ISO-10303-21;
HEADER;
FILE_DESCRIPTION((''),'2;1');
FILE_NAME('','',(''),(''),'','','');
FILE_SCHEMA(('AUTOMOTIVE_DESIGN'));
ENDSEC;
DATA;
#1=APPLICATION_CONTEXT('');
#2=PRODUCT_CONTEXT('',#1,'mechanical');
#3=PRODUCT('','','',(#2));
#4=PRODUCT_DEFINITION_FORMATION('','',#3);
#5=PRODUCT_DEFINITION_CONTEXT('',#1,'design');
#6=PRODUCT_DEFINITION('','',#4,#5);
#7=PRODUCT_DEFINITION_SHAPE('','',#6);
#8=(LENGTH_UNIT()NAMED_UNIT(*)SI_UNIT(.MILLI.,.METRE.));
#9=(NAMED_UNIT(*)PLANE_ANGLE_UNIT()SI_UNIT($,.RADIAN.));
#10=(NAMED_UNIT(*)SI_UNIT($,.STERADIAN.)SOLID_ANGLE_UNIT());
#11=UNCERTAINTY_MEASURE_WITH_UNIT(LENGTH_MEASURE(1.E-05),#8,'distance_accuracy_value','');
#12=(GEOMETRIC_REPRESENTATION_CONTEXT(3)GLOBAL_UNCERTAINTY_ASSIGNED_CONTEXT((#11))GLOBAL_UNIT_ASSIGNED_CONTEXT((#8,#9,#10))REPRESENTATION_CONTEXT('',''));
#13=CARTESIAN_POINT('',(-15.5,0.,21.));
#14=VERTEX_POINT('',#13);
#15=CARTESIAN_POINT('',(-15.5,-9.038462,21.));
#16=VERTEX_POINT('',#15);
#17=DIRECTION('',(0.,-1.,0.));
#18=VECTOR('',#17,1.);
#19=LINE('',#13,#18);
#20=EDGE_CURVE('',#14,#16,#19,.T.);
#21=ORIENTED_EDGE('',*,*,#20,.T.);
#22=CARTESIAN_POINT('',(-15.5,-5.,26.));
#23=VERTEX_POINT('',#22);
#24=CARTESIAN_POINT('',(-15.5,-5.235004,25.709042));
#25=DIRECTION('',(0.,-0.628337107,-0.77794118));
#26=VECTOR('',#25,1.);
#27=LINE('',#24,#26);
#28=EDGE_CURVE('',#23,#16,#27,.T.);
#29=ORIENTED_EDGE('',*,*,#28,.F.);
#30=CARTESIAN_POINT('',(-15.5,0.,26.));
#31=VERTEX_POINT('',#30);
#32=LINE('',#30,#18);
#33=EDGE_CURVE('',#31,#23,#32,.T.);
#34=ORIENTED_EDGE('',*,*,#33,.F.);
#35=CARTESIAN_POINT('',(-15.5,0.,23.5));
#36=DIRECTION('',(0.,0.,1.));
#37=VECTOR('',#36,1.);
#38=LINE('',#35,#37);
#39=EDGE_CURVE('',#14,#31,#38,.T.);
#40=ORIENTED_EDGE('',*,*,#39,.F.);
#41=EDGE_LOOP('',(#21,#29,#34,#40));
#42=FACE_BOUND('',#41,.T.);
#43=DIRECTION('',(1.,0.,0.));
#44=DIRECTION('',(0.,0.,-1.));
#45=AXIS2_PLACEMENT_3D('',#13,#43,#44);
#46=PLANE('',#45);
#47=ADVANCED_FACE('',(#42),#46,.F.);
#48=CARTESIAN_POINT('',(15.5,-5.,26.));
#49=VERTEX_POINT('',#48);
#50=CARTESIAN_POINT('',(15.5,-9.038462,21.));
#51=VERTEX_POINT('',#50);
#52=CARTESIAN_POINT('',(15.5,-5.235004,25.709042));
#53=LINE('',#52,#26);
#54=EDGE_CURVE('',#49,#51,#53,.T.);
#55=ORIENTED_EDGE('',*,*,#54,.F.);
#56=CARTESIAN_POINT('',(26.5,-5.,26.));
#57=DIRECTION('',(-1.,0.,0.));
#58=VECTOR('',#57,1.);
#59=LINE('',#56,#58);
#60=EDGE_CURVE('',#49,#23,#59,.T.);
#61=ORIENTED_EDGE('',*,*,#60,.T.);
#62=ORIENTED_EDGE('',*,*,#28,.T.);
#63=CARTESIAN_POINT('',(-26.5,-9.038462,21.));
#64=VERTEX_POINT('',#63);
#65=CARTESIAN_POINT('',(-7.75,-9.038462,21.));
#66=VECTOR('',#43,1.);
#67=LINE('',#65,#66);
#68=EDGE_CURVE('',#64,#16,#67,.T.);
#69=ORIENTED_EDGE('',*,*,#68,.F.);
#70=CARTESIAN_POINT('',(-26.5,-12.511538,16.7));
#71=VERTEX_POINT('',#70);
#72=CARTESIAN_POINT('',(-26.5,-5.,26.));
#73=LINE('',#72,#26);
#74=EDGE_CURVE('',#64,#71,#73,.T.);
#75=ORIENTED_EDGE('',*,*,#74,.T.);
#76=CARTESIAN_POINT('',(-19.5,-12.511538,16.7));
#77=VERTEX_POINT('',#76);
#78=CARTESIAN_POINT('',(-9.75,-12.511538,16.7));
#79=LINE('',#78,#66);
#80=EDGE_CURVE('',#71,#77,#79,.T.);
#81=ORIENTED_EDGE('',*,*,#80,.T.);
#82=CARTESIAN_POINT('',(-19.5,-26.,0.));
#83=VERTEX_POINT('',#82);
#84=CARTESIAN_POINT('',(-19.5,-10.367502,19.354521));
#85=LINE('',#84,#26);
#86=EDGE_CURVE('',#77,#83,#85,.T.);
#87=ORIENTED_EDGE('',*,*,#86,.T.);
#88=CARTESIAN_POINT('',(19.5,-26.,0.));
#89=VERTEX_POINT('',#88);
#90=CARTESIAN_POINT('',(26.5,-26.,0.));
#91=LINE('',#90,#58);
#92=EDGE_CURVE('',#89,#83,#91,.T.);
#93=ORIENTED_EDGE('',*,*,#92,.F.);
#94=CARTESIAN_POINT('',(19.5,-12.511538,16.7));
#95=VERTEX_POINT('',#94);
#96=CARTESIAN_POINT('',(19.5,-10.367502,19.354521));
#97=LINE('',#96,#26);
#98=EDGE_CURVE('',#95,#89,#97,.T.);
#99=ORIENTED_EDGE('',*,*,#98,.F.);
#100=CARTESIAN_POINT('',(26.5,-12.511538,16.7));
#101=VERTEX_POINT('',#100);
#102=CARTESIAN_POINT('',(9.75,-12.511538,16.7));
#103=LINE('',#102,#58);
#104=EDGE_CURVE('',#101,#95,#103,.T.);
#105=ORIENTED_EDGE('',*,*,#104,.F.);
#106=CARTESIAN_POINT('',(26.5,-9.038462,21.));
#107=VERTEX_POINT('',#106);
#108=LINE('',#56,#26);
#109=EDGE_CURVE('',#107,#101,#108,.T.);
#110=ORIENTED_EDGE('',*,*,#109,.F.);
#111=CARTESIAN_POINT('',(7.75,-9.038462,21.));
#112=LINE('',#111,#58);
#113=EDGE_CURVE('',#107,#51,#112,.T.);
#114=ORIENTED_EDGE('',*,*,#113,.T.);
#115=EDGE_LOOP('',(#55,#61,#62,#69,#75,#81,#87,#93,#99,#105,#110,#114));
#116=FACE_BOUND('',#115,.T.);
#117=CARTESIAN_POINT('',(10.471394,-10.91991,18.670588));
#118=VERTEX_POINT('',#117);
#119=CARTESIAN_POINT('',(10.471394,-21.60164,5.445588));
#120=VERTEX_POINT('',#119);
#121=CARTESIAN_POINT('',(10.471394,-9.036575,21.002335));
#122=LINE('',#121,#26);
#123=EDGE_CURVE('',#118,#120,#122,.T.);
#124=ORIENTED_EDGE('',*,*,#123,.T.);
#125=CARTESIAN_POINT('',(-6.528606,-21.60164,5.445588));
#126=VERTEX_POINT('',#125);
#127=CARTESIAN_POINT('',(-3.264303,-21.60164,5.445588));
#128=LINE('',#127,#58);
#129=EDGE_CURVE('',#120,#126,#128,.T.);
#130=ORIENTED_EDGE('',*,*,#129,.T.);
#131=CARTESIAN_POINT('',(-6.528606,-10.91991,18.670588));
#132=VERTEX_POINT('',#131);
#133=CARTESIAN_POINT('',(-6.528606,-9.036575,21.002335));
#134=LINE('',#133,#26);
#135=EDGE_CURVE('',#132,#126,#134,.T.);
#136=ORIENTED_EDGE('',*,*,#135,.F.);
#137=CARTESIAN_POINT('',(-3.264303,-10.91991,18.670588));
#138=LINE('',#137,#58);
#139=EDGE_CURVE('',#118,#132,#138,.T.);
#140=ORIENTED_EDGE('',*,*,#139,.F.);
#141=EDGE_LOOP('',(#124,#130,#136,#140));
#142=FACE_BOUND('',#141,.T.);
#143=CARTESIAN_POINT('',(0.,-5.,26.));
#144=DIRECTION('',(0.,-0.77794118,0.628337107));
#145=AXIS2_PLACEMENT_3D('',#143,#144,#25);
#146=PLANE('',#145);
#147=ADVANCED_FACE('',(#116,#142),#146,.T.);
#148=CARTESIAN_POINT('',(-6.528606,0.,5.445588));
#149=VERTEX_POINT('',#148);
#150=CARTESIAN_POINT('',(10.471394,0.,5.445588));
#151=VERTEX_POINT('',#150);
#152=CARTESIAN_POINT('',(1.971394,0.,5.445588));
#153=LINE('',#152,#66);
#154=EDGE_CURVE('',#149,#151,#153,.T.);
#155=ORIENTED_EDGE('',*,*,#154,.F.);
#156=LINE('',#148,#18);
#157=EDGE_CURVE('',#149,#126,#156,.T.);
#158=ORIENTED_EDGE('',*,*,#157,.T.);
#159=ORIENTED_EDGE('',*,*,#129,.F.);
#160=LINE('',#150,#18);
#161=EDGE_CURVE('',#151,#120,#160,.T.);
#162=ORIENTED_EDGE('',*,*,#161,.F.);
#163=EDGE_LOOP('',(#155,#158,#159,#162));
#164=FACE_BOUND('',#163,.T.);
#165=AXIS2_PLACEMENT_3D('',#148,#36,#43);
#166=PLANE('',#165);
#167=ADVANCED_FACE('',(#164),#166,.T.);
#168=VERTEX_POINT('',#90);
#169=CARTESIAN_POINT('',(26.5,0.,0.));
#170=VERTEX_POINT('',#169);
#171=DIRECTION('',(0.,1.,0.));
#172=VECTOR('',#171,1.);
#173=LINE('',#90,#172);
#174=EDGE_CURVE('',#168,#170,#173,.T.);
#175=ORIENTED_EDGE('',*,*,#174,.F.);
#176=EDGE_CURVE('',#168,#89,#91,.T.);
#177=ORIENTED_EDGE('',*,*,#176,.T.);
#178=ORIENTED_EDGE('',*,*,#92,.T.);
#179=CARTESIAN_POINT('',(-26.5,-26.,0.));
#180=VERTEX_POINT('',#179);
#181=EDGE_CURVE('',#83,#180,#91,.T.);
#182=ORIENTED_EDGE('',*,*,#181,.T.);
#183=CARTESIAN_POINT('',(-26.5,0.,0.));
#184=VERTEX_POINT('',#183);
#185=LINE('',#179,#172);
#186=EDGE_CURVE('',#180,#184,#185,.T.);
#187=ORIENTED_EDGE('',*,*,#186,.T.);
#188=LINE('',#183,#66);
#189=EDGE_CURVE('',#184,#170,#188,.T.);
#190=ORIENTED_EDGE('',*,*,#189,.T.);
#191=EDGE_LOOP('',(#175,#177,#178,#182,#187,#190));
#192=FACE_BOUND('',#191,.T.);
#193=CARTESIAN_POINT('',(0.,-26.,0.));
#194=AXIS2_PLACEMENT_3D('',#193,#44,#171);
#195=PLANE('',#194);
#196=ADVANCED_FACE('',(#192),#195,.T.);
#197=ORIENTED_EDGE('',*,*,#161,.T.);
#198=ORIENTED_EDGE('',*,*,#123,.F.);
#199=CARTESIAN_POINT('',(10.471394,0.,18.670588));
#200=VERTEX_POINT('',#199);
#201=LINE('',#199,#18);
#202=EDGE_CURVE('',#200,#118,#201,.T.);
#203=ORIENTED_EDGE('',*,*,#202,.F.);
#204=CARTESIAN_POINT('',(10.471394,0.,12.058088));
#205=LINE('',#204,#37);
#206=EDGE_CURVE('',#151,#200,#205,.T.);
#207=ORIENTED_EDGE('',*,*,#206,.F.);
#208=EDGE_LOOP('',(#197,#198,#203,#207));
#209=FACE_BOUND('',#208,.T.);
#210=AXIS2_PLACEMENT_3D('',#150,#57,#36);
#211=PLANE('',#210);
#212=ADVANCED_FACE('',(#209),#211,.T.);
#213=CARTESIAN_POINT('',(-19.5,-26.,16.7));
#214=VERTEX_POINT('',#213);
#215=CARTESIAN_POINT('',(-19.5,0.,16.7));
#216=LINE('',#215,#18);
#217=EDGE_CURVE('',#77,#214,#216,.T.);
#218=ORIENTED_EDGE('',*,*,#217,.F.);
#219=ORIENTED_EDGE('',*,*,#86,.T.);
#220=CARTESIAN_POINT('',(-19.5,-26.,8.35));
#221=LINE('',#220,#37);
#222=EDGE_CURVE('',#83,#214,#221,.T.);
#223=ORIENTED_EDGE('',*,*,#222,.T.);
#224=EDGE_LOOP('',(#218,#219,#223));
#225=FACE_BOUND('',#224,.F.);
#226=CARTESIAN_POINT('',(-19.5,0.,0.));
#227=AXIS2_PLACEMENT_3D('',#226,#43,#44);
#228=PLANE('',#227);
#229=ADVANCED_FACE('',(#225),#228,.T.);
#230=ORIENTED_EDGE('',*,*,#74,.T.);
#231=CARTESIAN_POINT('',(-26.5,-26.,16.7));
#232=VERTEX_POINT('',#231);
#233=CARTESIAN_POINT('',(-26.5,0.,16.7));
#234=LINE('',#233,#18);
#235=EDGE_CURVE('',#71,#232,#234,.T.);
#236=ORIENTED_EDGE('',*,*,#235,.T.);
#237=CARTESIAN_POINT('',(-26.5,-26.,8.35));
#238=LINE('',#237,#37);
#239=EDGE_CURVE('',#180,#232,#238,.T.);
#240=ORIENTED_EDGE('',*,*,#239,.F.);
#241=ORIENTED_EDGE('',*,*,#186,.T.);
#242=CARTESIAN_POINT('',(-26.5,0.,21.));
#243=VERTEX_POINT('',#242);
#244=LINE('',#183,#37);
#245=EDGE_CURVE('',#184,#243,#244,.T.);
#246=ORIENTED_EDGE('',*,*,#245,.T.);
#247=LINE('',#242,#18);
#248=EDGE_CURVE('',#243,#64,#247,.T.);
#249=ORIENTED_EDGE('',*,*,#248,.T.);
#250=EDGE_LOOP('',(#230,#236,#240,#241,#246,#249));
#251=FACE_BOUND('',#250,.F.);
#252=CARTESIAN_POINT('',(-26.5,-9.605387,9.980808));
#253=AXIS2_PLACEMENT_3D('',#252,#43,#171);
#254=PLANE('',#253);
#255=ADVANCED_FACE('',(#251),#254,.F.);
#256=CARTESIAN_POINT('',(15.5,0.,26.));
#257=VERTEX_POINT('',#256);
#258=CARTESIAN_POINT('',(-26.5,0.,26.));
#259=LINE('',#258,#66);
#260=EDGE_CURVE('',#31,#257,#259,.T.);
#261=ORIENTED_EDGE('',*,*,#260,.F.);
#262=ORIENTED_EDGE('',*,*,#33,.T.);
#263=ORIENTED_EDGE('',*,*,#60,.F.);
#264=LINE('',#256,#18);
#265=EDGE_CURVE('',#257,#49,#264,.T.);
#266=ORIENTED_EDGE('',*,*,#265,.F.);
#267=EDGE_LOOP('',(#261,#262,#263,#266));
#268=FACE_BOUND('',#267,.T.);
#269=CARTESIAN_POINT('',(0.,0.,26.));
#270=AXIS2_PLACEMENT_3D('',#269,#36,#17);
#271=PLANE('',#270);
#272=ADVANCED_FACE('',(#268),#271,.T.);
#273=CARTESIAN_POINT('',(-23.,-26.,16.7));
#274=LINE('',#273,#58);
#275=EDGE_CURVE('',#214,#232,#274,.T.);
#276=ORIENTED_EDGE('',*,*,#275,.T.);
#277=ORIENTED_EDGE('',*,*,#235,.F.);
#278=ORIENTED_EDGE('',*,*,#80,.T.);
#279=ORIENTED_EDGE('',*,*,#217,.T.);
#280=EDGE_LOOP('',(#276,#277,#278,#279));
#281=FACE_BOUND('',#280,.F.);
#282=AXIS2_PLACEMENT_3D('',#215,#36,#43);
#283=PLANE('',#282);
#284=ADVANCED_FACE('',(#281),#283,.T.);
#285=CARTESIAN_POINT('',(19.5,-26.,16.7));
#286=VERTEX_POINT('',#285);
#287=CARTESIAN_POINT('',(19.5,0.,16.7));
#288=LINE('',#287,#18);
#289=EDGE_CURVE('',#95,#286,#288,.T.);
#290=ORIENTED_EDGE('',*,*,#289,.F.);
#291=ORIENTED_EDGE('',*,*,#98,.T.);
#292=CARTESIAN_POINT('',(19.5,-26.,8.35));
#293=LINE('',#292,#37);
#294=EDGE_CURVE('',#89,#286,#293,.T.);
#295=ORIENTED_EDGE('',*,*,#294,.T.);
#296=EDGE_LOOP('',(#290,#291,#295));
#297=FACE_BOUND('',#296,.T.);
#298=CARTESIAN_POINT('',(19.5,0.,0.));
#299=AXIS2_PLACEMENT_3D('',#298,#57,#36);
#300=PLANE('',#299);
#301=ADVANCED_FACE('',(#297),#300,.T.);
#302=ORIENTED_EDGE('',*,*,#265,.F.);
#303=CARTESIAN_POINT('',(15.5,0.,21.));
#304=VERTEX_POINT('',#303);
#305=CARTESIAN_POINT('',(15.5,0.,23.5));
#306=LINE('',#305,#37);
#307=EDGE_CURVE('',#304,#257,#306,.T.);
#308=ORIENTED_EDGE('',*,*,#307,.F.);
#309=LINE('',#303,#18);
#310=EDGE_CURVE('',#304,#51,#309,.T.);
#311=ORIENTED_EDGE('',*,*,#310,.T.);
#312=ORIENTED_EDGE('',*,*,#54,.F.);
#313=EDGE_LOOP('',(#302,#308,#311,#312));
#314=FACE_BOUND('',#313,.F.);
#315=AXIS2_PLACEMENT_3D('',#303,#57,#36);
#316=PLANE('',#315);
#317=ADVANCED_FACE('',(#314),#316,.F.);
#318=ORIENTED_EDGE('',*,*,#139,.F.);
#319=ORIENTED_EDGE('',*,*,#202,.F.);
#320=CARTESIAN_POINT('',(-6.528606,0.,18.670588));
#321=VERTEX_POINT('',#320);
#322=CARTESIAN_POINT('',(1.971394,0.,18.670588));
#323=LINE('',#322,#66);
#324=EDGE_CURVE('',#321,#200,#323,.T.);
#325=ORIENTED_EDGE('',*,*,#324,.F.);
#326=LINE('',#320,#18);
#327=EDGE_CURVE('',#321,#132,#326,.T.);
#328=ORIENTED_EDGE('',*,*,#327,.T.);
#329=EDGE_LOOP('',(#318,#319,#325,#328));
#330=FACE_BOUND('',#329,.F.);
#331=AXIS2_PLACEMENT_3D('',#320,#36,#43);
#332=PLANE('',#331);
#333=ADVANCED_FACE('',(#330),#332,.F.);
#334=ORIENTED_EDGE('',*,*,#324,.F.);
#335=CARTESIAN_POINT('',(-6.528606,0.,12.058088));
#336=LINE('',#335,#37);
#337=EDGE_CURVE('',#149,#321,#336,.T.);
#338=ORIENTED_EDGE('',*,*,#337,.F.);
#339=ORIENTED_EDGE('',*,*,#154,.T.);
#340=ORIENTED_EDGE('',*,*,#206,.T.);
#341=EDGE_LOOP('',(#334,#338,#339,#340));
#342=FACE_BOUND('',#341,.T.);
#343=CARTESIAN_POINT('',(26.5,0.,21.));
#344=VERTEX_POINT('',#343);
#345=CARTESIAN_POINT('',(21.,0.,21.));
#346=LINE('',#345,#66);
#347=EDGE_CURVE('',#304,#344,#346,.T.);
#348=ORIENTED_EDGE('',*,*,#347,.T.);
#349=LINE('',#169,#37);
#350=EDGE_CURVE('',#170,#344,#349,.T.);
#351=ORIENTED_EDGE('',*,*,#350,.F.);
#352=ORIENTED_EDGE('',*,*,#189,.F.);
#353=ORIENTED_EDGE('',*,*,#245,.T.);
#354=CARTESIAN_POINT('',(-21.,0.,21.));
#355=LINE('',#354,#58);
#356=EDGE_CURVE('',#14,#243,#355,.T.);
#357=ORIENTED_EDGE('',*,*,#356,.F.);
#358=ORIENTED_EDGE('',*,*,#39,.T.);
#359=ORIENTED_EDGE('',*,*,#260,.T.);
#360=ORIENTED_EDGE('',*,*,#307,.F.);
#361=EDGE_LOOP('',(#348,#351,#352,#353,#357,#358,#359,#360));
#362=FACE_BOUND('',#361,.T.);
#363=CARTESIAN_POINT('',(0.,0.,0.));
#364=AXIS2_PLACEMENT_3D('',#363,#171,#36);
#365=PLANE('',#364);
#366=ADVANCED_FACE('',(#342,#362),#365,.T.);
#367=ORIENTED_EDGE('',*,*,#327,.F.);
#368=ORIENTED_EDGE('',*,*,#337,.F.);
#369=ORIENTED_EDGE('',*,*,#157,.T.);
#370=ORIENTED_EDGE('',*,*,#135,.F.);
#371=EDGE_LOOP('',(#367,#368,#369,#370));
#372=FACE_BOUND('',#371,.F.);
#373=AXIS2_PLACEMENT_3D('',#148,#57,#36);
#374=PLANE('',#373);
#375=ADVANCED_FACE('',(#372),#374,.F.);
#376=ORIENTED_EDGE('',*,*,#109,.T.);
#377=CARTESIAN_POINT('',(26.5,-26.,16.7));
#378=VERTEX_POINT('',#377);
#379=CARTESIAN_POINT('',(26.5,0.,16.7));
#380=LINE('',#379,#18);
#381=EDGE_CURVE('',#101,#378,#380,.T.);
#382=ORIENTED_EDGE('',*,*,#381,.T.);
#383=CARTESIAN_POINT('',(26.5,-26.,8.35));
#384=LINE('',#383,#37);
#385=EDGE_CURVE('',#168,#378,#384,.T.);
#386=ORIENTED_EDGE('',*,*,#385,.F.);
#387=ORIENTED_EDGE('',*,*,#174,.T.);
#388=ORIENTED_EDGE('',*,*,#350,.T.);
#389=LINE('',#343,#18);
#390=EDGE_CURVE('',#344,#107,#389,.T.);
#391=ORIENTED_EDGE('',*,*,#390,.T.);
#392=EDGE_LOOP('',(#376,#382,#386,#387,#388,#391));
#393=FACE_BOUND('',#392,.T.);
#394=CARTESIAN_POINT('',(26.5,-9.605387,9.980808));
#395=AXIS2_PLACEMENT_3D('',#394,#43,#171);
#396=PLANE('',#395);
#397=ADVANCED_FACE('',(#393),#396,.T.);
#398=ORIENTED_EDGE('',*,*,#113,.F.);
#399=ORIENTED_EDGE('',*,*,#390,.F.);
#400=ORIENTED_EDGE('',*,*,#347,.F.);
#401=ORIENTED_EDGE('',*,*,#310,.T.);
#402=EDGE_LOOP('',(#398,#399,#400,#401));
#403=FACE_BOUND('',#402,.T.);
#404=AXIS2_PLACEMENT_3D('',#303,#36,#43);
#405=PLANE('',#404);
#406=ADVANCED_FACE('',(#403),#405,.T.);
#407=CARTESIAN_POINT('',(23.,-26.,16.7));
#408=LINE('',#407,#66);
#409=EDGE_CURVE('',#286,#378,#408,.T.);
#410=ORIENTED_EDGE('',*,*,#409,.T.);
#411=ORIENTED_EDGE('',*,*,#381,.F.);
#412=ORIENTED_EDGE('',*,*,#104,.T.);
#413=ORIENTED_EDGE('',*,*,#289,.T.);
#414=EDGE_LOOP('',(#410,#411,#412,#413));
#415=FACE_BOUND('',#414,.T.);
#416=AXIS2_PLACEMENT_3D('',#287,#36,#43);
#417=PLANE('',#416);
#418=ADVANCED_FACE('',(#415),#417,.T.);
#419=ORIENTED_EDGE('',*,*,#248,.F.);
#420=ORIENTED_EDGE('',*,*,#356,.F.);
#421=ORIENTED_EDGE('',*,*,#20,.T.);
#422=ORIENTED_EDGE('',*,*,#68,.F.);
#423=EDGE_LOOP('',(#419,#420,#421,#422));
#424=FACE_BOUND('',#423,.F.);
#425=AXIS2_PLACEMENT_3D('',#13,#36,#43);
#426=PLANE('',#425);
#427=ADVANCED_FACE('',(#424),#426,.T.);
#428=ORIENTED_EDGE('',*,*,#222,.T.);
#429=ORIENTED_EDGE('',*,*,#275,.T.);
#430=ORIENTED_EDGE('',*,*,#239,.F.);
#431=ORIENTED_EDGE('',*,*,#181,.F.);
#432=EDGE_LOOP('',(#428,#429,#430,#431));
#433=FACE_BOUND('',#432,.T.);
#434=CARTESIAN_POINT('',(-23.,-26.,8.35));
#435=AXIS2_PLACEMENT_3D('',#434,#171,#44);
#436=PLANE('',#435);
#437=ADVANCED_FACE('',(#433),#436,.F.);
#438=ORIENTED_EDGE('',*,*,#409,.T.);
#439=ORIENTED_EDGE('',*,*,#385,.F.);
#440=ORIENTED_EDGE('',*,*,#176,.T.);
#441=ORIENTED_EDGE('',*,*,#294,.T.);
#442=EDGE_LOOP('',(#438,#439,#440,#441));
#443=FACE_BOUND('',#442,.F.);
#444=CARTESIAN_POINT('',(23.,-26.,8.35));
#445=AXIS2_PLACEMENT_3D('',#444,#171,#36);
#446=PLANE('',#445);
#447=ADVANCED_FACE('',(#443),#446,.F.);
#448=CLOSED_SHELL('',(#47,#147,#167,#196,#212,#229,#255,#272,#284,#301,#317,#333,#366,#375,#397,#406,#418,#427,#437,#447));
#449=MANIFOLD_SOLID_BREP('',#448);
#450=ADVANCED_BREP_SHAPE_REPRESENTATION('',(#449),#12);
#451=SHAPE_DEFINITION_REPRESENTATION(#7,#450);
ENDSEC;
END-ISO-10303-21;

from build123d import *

# Parameters (mm, degrees)
PAD_DEPTH       = 26.5
SKETCH001_W     = 5
SKETCH001_H     = 11
POCKET_DEPTH    = 155.012627
SKETCH002_W     = 16.7
SKETCH002_H     = 7
PAD001_DEPTH    = 26
SKETCH004_W     = 13.225
SKETCH004_H     = 17
POCKET001_DEPTH = 26.001


with BuildPart() as part:
    # Sketch → Pad (new body, symmetric)
    with BuildSketch(Plane.YZ):
        Polygon((-26, 0), (0, 0), (0, 26), (-5, 26), align=None)
    extrude(amount=PAD_DEPTH, both=True)

    # Sketch001 (on Face2 of Pad) → Pocket (cut, through all)
    with BuildSketch(Plane.ZX):
        with Locations((23.5, 21)):
            Rectangle(SKETCH001_W, SKETCH001_H)
    pocket = extrude(amount=-POCKET_DEPTH, mode=Mode.SUBTRACT)

    # Mirrored: Pocket across Sketch001 H_Axis
    add(pocket.mirror(Plane.YZ), mode=Mode.SUBTRACT)

    # Sketch002 (on Face3 of Mirrored) → Pad001 (join)
    with BuildSketch(Plane.ZX):
        with Locations((8.35, 23)):
            Rectangle(SKETCH002_W, SKETCH002_H)
    pad001 = extrude(amount=-PAD001_DEPTH)

    # Mirrored001: Pad001 across Sketch002 H_Axis
    add(pad001.mirror(Plane.YZ))

    # Sketch004 (on Face2 of Mirrored001) → Pocket001 (cut, through all)
    with BuildSketch(Plane.ZX):
        with Locations((12.058088, 1.971394)):
            Rectangle(SKETCH004_W, SKETCH004_H)
    extrude(amount=-POCKET001_DEPTH, mode=Mode.SUBTRACT)


solid = part.part
